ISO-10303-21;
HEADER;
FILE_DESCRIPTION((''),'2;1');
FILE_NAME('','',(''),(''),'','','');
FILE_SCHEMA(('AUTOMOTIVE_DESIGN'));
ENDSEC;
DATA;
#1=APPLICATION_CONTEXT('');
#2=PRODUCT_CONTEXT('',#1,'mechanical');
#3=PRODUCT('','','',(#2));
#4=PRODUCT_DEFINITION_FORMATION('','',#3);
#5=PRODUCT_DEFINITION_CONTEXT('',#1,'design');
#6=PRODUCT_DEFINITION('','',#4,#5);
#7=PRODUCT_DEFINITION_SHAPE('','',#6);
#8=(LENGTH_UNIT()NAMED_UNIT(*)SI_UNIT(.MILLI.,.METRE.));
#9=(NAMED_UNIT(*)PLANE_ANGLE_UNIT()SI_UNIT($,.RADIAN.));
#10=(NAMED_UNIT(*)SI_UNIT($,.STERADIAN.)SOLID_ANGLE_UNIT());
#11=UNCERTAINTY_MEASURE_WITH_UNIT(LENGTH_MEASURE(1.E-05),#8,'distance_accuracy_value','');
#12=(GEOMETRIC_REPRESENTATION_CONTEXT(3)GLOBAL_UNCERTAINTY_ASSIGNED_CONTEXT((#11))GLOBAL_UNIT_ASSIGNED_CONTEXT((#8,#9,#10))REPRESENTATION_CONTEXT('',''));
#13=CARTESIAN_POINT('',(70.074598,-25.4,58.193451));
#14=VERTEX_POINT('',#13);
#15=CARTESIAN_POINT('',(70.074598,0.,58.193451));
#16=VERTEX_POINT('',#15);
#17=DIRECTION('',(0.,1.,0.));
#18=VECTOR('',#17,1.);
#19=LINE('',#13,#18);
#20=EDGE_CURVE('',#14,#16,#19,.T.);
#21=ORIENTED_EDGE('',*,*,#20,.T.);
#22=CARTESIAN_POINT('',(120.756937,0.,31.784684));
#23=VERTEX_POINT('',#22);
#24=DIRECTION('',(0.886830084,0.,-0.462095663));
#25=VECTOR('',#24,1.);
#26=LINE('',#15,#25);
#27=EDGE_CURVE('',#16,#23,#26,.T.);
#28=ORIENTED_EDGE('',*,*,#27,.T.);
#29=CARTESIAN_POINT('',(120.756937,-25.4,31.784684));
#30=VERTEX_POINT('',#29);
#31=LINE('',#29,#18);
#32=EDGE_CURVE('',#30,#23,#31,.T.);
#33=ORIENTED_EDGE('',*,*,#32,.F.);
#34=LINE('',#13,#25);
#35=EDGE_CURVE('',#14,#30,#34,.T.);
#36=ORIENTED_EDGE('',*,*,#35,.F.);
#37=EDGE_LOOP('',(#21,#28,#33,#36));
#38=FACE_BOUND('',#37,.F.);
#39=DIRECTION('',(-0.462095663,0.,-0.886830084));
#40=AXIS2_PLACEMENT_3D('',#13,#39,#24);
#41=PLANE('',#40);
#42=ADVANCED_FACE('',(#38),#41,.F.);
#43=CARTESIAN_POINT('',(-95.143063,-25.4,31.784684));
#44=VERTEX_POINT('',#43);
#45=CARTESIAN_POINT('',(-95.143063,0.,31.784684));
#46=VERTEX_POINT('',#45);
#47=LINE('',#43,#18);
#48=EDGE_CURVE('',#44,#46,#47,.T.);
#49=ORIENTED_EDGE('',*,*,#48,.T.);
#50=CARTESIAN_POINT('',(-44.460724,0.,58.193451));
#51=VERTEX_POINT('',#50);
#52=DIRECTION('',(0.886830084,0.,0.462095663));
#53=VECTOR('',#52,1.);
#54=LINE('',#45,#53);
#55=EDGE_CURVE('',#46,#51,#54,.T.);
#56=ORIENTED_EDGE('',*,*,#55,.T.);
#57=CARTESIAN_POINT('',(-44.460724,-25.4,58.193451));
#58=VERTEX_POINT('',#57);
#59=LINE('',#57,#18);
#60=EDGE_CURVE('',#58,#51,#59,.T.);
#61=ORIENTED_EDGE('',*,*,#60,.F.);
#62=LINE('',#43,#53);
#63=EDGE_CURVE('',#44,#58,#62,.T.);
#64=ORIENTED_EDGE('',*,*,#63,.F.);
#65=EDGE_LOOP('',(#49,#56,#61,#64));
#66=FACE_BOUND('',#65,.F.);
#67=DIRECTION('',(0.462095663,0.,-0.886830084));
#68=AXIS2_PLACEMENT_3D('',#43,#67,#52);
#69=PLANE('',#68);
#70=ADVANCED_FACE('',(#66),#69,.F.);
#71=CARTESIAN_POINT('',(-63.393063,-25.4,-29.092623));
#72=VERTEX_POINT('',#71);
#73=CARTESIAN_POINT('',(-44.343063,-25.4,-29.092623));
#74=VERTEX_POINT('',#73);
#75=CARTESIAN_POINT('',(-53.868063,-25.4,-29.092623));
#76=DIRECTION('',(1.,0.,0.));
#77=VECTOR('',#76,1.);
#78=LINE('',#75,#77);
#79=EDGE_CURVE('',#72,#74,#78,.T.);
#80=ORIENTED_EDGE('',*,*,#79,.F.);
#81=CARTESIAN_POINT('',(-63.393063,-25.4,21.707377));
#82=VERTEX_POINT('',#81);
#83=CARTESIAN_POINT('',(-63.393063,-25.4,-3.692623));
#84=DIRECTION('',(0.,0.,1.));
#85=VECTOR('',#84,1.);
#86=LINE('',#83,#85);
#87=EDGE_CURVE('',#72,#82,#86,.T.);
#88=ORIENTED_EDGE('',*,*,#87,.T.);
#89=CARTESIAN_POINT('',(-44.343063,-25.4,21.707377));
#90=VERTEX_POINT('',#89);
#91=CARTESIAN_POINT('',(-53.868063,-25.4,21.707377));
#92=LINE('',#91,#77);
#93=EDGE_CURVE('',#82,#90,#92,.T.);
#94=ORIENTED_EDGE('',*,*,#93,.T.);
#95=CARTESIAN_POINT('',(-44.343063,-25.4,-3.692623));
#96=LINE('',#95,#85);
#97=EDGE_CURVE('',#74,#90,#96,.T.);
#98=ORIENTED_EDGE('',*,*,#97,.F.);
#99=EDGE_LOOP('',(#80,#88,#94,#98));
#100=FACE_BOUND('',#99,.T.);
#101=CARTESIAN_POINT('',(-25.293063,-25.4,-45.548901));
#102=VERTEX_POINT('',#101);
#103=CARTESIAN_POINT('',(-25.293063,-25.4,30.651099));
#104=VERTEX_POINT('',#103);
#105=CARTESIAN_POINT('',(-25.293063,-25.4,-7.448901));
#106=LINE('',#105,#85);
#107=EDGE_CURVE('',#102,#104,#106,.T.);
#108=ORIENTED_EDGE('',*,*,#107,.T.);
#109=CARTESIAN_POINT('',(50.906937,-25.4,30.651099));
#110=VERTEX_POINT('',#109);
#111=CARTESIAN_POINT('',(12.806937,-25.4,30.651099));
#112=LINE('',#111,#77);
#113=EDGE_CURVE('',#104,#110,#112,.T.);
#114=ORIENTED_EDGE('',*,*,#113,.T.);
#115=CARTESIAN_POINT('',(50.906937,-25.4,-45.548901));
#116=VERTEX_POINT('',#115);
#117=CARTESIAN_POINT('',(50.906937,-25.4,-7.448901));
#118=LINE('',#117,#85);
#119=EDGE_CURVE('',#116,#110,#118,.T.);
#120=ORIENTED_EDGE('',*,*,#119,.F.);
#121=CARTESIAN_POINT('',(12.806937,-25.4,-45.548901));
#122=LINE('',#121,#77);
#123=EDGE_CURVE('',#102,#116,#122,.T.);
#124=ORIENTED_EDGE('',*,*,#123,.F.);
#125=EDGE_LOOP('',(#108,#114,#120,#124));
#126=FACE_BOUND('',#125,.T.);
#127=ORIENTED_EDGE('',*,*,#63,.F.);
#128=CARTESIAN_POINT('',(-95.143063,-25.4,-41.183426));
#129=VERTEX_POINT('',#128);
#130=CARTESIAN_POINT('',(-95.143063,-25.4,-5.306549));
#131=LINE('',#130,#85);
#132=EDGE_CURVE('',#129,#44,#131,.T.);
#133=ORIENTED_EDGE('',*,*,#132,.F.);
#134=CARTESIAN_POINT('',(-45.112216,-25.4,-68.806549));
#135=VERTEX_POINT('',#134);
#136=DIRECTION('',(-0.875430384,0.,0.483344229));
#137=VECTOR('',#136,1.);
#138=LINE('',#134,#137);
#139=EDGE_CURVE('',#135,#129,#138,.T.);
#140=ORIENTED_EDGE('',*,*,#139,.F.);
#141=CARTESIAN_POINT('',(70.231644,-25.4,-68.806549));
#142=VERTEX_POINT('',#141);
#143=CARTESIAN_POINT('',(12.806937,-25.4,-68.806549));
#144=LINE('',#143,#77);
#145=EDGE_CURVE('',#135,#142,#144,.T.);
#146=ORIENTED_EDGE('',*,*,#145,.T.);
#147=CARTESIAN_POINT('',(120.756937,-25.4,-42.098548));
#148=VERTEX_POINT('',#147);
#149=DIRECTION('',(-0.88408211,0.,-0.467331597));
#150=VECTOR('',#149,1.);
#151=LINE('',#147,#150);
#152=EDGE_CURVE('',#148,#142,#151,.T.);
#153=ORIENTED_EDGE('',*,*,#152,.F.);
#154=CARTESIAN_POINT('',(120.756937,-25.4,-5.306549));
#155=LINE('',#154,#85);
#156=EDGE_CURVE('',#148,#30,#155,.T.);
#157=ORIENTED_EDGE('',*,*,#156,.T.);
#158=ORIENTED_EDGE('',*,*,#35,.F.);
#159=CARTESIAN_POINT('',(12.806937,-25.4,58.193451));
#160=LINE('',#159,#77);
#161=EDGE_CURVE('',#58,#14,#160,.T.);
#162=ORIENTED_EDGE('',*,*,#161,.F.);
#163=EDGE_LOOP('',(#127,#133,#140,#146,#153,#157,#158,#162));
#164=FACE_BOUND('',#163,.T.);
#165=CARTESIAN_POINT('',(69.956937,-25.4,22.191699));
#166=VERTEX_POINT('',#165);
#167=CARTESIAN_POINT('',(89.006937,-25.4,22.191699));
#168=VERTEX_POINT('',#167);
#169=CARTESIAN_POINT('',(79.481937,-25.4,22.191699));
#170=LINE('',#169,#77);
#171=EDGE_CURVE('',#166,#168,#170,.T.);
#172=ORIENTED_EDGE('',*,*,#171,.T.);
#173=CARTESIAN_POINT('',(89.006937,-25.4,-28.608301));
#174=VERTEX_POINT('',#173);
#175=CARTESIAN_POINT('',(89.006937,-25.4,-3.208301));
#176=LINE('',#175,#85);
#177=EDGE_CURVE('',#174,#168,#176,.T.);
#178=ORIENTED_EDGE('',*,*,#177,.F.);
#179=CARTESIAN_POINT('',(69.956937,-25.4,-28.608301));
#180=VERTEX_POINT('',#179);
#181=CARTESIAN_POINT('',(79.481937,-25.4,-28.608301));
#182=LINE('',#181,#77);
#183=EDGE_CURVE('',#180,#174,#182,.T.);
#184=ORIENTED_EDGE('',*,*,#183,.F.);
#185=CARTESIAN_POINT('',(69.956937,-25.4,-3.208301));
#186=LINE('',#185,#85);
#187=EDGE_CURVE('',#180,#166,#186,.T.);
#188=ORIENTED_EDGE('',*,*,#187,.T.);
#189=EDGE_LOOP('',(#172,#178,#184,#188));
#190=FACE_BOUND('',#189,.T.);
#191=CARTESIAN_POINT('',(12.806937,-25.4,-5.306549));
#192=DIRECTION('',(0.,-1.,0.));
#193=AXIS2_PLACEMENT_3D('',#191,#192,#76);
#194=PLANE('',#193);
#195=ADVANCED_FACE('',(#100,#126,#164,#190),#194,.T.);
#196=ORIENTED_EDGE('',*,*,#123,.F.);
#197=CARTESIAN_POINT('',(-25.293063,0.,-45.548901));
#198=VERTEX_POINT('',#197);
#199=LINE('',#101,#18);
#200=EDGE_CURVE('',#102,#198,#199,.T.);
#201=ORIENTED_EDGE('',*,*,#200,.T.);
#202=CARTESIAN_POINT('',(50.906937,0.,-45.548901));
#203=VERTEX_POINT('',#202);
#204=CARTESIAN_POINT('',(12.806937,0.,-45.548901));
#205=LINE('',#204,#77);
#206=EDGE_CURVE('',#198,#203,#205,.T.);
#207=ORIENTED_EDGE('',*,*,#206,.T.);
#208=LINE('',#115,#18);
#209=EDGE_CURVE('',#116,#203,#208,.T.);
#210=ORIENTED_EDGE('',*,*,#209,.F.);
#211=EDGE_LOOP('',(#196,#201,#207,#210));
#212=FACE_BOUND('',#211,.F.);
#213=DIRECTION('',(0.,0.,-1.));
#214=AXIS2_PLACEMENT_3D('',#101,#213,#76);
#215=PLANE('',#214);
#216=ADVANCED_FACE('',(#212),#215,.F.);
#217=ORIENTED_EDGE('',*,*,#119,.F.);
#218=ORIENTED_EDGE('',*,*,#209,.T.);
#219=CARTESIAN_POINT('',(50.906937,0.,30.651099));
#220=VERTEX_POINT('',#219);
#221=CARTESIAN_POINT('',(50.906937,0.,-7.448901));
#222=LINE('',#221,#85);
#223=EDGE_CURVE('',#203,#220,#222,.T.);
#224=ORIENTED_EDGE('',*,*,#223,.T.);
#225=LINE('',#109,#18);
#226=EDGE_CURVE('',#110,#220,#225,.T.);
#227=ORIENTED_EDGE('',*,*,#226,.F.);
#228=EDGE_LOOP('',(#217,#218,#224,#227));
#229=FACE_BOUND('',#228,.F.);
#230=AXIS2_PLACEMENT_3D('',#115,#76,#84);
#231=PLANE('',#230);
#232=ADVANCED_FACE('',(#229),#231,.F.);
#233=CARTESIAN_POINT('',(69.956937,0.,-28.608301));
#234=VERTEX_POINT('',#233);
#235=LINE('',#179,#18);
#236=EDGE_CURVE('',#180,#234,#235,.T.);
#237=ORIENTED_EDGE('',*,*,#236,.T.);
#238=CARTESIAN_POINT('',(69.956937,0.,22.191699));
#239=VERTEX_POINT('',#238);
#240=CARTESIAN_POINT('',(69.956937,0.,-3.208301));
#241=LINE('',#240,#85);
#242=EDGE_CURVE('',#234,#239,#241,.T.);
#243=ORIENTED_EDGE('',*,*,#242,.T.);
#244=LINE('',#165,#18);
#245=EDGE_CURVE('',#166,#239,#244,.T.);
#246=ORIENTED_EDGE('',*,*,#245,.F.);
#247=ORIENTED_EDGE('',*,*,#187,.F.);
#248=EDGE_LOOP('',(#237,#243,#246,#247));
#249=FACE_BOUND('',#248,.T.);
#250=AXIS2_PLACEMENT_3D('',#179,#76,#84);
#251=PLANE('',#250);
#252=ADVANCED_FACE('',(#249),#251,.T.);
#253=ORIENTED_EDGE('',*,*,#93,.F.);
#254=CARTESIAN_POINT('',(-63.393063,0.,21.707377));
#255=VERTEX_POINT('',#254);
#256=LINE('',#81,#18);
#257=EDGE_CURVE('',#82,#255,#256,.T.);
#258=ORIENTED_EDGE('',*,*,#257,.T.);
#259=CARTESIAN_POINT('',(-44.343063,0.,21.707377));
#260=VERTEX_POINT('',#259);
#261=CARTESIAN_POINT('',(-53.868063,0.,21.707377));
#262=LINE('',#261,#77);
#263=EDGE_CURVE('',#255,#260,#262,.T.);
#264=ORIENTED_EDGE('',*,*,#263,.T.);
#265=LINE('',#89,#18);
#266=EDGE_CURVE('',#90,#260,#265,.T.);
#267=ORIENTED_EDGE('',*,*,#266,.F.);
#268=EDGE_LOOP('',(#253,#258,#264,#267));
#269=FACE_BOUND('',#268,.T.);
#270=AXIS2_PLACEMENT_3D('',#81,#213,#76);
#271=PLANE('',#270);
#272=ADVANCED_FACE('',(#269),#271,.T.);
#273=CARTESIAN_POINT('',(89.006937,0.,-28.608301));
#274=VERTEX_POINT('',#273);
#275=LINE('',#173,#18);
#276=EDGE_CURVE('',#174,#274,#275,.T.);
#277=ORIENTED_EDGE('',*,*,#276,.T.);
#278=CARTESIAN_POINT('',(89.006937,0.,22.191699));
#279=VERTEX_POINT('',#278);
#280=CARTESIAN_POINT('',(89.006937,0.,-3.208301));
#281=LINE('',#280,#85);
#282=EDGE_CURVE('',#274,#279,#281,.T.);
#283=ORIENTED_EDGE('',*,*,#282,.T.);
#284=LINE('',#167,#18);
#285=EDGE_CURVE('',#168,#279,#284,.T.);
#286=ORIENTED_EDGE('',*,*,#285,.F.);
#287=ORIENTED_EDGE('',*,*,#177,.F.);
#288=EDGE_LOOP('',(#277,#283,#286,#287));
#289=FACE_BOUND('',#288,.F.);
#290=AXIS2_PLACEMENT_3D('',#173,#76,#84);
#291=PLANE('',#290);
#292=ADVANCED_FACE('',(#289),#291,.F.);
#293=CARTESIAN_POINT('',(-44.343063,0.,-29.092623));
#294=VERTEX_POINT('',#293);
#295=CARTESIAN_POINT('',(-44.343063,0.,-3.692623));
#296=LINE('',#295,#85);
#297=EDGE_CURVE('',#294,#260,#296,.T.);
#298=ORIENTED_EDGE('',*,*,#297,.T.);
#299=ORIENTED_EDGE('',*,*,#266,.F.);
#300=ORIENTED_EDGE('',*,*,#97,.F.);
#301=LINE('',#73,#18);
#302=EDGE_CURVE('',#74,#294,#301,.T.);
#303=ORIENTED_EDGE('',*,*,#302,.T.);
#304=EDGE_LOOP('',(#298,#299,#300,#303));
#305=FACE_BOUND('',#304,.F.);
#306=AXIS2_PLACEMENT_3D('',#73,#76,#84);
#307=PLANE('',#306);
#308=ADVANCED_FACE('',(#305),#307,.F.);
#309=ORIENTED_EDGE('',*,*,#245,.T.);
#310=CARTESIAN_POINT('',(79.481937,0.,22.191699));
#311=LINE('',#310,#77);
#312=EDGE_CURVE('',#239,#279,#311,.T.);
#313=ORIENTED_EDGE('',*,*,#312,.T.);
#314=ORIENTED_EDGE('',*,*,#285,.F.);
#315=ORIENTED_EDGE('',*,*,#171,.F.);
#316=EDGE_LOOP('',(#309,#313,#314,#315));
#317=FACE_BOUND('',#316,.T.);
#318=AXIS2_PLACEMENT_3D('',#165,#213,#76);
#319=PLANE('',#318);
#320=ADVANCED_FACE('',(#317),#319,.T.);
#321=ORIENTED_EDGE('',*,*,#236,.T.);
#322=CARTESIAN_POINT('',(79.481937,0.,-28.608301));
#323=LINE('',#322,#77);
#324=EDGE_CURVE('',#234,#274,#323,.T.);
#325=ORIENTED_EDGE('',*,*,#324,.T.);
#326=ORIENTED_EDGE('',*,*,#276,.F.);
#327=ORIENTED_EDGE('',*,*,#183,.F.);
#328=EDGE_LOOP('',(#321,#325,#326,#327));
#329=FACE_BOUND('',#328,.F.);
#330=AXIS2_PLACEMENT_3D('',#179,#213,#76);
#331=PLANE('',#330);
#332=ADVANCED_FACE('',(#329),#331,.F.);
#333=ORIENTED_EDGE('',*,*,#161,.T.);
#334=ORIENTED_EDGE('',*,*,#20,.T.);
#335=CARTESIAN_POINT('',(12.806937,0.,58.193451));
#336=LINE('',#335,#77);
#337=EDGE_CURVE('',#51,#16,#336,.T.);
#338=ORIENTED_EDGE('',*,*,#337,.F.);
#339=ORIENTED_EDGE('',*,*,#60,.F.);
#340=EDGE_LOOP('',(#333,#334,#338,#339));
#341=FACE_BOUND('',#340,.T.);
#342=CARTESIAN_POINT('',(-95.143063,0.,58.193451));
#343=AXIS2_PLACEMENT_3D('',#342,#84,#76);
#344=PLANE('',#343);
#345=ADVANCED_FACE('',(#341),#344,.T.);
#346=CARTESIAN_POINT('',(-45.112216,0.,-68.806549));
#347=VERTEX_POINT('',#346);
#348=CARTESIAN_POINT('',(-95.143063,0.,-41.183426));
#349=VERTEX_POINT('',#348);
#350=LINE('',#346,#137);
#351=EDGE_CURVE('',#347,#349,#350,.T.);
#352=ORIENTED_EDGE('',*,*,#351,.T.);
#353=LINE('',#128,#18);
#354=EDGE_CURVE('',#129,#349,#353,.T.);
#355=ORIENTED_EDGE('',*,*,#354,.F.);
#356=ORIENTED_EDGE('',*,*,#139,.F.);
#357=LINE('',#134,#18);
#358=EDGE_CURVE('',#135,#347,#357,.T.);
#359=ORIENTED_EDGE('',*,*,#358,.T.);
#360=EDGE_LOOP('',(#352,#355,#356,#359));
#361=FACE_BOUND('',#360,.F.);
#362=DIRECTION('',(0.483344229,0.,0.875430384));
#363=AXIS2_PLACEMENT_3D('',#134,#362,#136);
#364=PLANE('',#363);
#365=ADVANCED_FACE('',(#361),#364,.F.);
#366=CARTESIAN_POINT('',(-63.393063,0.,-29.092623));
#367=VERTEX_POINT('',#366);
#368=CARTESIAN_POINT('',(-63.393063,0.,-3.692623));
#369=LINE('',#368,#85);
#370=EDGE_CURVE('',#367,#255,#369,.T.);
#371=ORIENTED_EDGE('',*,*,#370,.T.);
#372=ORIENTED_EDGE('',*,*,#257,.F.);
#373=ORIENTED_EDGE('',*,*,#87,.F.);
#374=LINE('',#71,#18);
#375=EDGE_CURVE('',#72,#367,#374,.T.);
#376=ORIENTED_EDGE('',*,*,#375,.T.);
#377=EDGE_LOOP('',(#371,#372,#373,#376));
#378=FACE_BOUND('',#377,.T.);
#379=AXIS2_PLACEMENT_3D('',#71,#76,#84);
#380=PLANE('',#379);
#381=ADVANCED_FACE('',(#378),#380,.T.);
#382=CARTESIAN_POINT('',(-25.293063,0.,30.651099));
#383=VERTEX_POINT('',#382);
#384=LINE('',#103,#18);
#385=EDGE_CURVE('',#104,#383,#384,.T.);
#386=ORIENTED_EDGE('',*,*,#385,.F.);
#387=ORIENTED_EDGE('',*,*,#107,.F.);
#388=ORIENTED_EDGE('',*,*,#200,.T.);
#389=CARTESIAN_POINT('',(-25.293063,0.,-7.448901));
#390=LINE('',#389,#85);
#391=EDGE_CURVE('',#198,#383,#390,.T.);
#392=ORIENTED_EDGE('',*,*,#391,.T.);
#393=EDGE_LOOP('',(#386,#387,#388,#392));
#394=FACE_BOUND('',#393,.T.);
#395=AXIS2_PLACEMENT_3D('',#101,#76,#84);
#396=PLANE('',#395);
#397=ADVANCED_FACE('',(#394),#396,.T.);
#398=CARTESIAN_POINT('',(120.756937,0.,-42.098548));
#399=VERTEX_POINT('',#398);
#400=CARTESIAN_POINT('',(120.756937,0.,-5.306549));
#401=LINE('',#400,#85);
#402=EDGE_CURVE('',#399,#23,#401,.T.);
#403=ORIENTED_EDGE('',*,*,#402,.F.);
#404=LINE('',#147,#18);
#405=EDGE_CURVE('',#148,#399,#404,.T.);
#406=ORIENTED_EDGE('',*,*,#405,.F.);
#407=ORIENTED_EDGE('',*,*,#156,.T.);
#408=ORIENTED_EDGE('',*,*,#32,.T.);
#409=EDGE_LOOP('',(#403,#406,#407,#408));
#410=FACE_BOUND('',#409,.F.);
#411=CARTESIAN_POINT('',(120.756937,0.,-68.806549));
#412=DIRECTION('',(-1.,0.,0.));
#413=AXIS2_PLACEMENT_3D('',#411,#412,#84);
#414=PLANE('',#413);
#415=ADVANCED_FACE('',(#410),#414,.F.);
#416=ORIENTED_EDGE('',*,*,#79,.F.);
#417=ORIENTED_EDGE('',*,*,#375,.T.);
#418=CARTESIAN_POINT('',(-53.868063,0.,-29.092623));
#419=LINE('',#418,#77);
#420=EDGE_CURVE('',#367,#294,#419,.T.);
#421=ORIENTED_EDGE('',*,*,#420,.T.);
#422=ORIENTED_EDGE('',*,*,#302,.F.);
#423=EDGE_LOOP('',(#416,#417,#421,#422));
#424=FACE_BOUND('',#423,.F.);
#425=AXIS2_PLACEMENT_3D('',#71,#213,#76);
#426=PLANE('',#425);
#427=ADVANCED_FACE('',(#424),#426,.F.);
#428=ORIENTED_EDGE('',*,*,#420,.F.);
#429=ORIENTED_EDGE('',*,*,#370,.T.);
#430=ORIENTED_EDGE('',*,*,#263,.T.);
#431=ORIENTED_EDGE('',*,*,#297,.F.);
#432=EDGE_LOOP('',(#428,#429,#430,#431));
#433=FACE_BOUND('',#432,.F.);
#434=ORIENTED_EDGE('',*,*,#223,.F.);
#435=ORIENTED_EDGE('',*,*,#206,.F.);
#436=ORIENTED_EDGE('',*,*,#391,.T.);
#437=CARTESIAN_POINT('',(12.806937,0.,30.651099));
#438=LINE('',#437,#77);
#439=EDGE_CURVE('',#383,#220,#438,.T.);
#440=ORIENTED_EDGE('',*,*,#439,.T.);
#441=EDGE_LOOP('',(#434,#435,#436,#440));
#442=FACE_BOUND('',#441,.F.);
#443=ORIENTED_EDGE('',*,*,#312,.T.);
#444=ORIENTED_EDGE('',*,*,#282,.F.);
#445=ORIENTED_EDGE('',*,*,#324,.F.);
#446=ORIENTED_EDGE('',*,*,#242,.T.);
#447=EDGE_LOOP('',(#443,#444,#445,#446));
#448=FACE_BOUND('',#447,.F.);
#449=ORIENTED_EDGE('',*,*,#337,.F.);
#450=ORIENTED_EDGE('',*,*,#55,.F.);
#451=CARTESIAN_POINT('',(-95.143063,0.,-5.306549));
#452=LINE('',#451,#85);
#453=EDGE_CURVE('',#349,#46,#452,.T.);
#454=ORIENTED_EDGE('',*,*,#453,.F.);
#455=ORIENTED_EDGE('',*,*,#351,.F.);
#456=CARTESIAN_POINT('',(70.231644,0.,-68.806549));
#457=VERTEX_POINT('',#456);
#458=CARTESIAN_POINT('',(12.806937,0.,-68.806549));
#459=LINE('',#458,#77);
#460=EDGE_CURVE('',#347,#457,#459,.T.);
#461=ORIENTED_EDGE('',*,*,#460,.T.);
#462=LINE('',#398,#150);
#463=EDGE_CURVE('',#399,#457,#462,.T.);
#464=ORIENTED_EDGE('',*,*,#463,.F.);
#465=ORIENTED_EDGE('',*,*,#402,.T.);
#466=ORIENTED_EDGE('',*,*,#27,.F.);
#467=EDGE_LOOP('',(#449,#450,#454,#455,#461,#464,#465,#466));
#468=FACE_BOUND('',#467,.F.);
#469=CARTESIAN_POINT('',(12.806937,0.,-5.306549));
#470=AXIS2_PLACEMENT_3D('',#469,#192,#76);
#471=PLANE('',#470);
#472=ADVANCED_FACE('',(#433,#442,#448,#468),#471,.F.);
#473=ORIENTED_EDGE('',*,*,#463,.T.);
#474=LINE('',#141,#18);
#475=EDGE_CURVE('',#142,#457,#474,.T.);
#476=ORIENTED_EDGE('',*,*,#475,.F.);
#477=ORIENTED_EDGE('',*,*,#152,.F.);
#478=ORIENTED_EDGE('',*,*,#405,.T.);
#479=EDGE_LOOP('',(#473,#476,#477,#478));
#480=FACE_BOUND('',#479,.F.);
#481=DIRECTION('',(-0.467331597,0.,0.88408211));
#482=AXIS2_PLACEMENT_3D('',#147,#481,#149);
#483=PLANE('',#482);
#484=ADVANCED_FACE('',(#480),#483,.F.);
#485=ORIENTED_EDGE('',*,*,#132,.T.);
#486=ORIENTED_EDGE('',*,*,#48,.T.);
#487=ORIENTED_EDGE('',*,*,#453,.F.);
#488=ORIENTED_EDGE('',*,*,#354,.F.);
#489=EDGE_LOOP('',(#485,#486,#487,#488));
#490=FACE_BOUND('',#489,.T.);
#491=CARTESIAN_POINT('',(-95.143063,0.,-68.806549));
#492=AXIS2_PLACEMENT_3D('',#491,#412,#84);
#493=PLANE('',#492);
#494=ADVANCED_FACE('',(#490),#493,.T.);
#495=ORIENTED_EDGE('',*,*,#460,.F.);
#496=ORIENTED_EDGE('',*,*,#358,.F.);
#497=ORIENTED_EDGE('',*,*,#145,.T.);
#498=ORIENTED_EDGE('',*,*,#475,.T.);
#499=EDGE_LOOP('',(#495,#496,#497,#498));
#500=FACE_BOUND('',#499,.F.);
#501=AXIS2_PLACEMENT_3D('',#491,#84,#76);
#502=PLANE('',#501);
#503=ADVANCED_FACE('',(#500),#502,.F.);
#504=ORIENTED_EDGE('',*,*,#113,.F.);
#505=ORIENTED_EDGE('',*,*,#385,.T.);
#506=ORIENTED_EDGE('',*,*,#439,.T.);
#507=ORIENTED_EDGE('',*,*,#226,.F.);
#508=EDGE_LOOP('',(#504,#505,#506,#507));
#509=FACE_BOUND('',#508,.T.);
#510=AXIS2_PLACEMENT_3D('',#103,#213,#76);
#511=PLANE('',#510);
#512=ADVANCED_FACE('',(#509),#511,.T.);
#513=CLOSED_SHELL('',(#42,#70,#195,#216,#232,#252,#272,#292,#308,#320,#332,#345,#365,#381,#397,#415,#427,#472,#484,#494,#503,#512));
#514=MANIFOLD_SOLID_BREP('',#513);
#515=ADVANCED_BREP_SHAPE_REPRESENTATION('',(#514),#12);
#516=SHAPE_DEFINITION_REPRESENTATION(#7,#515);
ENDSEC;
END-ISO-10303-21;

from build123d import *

# Parameters (mm, degrees)
F0_W      = 215.9
F0_H      = 127
F1_DEPTH  = 25.4
F3_DEPTH  = 25.4
F4_DEPTH  = 25.4
F5_DEPTH  = 25.4
F6_DEPTH  = 25.4
F7_W      = 76.2
F7_H      = 76.2
F8_DEPTH  = 25.4
F9_W      = 19.05
F9_H      = 50.8
F10_DEPTH = 25.4


with BuildPart() as f1:
    # F0 (on Front) → F1 (new body)
    with BuildSketch(Plane.XZ):
        with Locations((12.806937, -5.306549)):
            Rectangle(F0_W, F0_H)
    extrude(amount=F1_DEPTH)

    # F2 (on face) → F3 (cut)
    with BuildSketch(Plane.XZ.offset(25.4)):
        Polygon((-95.143063, 58.193451), (-95.143063, 31.784684), (-44.460724, 58.193451), align=None)
    extrude(amount=-F3_DEPTH, mode=Mode.SUBTRACT)

    # F2 (on face) → F4 (cut)
    with BuildSketch(Plane.XZ.offset(25.4)):
        Polygon((-45.112216, -68.806549), (-95.143063, -41.183426), (-95.143063, -68.806549), align=None)
    extrude(amount=-F4_DEPTH, mode=Mode.SUBTRACT)

    # F2 (on face) → F5 (cut)
    with BuildSketch(Plane.XZ.offset(25.4)):
        Polygon((120.756937, -42.098548), (70.231644, -68.806549), (120.756937, -68.806549), align=None)
    extrude(amount=-F5_DEPTH, mode=Mode.SUBTRACT)

    # F2 (on face) → F6 (cut)
    with BuildSketch(Plane.XZ.offset(25.4)):
        Polygon((120.756937, 58.193451), (70.074598, 58.193451), (120.756937, 31.784684), align=None)
    extrude(amount=-F6_DEPTH, mode=Mode.SUBTRACT)

    # F7 (on face) → F8 (cut)
    with BuildSketch(Plane.XZ.offset(25.4)):
        with Locations((12.806937, -7.448901)):
            Rectangle(F7_W, F7_H)
    extrude(amount=-F8_DEPTH, mode=Mode.SUBTRACT)

    # F9 (on face) → F10 (cut)
    with BuildSketch(Plane.XZ.offset(25.4)):
        with Locations((-53.868063, -3.692623)):
            Rectangle(F9_W, F9_H)
        with Locations((79.481937, -3.208301)):
            Rectangle(F9_W, F9_H)
    extrude(amount=-F10_DEPTH, mode=Mode.SUBTRACT)


solid = f1.part
